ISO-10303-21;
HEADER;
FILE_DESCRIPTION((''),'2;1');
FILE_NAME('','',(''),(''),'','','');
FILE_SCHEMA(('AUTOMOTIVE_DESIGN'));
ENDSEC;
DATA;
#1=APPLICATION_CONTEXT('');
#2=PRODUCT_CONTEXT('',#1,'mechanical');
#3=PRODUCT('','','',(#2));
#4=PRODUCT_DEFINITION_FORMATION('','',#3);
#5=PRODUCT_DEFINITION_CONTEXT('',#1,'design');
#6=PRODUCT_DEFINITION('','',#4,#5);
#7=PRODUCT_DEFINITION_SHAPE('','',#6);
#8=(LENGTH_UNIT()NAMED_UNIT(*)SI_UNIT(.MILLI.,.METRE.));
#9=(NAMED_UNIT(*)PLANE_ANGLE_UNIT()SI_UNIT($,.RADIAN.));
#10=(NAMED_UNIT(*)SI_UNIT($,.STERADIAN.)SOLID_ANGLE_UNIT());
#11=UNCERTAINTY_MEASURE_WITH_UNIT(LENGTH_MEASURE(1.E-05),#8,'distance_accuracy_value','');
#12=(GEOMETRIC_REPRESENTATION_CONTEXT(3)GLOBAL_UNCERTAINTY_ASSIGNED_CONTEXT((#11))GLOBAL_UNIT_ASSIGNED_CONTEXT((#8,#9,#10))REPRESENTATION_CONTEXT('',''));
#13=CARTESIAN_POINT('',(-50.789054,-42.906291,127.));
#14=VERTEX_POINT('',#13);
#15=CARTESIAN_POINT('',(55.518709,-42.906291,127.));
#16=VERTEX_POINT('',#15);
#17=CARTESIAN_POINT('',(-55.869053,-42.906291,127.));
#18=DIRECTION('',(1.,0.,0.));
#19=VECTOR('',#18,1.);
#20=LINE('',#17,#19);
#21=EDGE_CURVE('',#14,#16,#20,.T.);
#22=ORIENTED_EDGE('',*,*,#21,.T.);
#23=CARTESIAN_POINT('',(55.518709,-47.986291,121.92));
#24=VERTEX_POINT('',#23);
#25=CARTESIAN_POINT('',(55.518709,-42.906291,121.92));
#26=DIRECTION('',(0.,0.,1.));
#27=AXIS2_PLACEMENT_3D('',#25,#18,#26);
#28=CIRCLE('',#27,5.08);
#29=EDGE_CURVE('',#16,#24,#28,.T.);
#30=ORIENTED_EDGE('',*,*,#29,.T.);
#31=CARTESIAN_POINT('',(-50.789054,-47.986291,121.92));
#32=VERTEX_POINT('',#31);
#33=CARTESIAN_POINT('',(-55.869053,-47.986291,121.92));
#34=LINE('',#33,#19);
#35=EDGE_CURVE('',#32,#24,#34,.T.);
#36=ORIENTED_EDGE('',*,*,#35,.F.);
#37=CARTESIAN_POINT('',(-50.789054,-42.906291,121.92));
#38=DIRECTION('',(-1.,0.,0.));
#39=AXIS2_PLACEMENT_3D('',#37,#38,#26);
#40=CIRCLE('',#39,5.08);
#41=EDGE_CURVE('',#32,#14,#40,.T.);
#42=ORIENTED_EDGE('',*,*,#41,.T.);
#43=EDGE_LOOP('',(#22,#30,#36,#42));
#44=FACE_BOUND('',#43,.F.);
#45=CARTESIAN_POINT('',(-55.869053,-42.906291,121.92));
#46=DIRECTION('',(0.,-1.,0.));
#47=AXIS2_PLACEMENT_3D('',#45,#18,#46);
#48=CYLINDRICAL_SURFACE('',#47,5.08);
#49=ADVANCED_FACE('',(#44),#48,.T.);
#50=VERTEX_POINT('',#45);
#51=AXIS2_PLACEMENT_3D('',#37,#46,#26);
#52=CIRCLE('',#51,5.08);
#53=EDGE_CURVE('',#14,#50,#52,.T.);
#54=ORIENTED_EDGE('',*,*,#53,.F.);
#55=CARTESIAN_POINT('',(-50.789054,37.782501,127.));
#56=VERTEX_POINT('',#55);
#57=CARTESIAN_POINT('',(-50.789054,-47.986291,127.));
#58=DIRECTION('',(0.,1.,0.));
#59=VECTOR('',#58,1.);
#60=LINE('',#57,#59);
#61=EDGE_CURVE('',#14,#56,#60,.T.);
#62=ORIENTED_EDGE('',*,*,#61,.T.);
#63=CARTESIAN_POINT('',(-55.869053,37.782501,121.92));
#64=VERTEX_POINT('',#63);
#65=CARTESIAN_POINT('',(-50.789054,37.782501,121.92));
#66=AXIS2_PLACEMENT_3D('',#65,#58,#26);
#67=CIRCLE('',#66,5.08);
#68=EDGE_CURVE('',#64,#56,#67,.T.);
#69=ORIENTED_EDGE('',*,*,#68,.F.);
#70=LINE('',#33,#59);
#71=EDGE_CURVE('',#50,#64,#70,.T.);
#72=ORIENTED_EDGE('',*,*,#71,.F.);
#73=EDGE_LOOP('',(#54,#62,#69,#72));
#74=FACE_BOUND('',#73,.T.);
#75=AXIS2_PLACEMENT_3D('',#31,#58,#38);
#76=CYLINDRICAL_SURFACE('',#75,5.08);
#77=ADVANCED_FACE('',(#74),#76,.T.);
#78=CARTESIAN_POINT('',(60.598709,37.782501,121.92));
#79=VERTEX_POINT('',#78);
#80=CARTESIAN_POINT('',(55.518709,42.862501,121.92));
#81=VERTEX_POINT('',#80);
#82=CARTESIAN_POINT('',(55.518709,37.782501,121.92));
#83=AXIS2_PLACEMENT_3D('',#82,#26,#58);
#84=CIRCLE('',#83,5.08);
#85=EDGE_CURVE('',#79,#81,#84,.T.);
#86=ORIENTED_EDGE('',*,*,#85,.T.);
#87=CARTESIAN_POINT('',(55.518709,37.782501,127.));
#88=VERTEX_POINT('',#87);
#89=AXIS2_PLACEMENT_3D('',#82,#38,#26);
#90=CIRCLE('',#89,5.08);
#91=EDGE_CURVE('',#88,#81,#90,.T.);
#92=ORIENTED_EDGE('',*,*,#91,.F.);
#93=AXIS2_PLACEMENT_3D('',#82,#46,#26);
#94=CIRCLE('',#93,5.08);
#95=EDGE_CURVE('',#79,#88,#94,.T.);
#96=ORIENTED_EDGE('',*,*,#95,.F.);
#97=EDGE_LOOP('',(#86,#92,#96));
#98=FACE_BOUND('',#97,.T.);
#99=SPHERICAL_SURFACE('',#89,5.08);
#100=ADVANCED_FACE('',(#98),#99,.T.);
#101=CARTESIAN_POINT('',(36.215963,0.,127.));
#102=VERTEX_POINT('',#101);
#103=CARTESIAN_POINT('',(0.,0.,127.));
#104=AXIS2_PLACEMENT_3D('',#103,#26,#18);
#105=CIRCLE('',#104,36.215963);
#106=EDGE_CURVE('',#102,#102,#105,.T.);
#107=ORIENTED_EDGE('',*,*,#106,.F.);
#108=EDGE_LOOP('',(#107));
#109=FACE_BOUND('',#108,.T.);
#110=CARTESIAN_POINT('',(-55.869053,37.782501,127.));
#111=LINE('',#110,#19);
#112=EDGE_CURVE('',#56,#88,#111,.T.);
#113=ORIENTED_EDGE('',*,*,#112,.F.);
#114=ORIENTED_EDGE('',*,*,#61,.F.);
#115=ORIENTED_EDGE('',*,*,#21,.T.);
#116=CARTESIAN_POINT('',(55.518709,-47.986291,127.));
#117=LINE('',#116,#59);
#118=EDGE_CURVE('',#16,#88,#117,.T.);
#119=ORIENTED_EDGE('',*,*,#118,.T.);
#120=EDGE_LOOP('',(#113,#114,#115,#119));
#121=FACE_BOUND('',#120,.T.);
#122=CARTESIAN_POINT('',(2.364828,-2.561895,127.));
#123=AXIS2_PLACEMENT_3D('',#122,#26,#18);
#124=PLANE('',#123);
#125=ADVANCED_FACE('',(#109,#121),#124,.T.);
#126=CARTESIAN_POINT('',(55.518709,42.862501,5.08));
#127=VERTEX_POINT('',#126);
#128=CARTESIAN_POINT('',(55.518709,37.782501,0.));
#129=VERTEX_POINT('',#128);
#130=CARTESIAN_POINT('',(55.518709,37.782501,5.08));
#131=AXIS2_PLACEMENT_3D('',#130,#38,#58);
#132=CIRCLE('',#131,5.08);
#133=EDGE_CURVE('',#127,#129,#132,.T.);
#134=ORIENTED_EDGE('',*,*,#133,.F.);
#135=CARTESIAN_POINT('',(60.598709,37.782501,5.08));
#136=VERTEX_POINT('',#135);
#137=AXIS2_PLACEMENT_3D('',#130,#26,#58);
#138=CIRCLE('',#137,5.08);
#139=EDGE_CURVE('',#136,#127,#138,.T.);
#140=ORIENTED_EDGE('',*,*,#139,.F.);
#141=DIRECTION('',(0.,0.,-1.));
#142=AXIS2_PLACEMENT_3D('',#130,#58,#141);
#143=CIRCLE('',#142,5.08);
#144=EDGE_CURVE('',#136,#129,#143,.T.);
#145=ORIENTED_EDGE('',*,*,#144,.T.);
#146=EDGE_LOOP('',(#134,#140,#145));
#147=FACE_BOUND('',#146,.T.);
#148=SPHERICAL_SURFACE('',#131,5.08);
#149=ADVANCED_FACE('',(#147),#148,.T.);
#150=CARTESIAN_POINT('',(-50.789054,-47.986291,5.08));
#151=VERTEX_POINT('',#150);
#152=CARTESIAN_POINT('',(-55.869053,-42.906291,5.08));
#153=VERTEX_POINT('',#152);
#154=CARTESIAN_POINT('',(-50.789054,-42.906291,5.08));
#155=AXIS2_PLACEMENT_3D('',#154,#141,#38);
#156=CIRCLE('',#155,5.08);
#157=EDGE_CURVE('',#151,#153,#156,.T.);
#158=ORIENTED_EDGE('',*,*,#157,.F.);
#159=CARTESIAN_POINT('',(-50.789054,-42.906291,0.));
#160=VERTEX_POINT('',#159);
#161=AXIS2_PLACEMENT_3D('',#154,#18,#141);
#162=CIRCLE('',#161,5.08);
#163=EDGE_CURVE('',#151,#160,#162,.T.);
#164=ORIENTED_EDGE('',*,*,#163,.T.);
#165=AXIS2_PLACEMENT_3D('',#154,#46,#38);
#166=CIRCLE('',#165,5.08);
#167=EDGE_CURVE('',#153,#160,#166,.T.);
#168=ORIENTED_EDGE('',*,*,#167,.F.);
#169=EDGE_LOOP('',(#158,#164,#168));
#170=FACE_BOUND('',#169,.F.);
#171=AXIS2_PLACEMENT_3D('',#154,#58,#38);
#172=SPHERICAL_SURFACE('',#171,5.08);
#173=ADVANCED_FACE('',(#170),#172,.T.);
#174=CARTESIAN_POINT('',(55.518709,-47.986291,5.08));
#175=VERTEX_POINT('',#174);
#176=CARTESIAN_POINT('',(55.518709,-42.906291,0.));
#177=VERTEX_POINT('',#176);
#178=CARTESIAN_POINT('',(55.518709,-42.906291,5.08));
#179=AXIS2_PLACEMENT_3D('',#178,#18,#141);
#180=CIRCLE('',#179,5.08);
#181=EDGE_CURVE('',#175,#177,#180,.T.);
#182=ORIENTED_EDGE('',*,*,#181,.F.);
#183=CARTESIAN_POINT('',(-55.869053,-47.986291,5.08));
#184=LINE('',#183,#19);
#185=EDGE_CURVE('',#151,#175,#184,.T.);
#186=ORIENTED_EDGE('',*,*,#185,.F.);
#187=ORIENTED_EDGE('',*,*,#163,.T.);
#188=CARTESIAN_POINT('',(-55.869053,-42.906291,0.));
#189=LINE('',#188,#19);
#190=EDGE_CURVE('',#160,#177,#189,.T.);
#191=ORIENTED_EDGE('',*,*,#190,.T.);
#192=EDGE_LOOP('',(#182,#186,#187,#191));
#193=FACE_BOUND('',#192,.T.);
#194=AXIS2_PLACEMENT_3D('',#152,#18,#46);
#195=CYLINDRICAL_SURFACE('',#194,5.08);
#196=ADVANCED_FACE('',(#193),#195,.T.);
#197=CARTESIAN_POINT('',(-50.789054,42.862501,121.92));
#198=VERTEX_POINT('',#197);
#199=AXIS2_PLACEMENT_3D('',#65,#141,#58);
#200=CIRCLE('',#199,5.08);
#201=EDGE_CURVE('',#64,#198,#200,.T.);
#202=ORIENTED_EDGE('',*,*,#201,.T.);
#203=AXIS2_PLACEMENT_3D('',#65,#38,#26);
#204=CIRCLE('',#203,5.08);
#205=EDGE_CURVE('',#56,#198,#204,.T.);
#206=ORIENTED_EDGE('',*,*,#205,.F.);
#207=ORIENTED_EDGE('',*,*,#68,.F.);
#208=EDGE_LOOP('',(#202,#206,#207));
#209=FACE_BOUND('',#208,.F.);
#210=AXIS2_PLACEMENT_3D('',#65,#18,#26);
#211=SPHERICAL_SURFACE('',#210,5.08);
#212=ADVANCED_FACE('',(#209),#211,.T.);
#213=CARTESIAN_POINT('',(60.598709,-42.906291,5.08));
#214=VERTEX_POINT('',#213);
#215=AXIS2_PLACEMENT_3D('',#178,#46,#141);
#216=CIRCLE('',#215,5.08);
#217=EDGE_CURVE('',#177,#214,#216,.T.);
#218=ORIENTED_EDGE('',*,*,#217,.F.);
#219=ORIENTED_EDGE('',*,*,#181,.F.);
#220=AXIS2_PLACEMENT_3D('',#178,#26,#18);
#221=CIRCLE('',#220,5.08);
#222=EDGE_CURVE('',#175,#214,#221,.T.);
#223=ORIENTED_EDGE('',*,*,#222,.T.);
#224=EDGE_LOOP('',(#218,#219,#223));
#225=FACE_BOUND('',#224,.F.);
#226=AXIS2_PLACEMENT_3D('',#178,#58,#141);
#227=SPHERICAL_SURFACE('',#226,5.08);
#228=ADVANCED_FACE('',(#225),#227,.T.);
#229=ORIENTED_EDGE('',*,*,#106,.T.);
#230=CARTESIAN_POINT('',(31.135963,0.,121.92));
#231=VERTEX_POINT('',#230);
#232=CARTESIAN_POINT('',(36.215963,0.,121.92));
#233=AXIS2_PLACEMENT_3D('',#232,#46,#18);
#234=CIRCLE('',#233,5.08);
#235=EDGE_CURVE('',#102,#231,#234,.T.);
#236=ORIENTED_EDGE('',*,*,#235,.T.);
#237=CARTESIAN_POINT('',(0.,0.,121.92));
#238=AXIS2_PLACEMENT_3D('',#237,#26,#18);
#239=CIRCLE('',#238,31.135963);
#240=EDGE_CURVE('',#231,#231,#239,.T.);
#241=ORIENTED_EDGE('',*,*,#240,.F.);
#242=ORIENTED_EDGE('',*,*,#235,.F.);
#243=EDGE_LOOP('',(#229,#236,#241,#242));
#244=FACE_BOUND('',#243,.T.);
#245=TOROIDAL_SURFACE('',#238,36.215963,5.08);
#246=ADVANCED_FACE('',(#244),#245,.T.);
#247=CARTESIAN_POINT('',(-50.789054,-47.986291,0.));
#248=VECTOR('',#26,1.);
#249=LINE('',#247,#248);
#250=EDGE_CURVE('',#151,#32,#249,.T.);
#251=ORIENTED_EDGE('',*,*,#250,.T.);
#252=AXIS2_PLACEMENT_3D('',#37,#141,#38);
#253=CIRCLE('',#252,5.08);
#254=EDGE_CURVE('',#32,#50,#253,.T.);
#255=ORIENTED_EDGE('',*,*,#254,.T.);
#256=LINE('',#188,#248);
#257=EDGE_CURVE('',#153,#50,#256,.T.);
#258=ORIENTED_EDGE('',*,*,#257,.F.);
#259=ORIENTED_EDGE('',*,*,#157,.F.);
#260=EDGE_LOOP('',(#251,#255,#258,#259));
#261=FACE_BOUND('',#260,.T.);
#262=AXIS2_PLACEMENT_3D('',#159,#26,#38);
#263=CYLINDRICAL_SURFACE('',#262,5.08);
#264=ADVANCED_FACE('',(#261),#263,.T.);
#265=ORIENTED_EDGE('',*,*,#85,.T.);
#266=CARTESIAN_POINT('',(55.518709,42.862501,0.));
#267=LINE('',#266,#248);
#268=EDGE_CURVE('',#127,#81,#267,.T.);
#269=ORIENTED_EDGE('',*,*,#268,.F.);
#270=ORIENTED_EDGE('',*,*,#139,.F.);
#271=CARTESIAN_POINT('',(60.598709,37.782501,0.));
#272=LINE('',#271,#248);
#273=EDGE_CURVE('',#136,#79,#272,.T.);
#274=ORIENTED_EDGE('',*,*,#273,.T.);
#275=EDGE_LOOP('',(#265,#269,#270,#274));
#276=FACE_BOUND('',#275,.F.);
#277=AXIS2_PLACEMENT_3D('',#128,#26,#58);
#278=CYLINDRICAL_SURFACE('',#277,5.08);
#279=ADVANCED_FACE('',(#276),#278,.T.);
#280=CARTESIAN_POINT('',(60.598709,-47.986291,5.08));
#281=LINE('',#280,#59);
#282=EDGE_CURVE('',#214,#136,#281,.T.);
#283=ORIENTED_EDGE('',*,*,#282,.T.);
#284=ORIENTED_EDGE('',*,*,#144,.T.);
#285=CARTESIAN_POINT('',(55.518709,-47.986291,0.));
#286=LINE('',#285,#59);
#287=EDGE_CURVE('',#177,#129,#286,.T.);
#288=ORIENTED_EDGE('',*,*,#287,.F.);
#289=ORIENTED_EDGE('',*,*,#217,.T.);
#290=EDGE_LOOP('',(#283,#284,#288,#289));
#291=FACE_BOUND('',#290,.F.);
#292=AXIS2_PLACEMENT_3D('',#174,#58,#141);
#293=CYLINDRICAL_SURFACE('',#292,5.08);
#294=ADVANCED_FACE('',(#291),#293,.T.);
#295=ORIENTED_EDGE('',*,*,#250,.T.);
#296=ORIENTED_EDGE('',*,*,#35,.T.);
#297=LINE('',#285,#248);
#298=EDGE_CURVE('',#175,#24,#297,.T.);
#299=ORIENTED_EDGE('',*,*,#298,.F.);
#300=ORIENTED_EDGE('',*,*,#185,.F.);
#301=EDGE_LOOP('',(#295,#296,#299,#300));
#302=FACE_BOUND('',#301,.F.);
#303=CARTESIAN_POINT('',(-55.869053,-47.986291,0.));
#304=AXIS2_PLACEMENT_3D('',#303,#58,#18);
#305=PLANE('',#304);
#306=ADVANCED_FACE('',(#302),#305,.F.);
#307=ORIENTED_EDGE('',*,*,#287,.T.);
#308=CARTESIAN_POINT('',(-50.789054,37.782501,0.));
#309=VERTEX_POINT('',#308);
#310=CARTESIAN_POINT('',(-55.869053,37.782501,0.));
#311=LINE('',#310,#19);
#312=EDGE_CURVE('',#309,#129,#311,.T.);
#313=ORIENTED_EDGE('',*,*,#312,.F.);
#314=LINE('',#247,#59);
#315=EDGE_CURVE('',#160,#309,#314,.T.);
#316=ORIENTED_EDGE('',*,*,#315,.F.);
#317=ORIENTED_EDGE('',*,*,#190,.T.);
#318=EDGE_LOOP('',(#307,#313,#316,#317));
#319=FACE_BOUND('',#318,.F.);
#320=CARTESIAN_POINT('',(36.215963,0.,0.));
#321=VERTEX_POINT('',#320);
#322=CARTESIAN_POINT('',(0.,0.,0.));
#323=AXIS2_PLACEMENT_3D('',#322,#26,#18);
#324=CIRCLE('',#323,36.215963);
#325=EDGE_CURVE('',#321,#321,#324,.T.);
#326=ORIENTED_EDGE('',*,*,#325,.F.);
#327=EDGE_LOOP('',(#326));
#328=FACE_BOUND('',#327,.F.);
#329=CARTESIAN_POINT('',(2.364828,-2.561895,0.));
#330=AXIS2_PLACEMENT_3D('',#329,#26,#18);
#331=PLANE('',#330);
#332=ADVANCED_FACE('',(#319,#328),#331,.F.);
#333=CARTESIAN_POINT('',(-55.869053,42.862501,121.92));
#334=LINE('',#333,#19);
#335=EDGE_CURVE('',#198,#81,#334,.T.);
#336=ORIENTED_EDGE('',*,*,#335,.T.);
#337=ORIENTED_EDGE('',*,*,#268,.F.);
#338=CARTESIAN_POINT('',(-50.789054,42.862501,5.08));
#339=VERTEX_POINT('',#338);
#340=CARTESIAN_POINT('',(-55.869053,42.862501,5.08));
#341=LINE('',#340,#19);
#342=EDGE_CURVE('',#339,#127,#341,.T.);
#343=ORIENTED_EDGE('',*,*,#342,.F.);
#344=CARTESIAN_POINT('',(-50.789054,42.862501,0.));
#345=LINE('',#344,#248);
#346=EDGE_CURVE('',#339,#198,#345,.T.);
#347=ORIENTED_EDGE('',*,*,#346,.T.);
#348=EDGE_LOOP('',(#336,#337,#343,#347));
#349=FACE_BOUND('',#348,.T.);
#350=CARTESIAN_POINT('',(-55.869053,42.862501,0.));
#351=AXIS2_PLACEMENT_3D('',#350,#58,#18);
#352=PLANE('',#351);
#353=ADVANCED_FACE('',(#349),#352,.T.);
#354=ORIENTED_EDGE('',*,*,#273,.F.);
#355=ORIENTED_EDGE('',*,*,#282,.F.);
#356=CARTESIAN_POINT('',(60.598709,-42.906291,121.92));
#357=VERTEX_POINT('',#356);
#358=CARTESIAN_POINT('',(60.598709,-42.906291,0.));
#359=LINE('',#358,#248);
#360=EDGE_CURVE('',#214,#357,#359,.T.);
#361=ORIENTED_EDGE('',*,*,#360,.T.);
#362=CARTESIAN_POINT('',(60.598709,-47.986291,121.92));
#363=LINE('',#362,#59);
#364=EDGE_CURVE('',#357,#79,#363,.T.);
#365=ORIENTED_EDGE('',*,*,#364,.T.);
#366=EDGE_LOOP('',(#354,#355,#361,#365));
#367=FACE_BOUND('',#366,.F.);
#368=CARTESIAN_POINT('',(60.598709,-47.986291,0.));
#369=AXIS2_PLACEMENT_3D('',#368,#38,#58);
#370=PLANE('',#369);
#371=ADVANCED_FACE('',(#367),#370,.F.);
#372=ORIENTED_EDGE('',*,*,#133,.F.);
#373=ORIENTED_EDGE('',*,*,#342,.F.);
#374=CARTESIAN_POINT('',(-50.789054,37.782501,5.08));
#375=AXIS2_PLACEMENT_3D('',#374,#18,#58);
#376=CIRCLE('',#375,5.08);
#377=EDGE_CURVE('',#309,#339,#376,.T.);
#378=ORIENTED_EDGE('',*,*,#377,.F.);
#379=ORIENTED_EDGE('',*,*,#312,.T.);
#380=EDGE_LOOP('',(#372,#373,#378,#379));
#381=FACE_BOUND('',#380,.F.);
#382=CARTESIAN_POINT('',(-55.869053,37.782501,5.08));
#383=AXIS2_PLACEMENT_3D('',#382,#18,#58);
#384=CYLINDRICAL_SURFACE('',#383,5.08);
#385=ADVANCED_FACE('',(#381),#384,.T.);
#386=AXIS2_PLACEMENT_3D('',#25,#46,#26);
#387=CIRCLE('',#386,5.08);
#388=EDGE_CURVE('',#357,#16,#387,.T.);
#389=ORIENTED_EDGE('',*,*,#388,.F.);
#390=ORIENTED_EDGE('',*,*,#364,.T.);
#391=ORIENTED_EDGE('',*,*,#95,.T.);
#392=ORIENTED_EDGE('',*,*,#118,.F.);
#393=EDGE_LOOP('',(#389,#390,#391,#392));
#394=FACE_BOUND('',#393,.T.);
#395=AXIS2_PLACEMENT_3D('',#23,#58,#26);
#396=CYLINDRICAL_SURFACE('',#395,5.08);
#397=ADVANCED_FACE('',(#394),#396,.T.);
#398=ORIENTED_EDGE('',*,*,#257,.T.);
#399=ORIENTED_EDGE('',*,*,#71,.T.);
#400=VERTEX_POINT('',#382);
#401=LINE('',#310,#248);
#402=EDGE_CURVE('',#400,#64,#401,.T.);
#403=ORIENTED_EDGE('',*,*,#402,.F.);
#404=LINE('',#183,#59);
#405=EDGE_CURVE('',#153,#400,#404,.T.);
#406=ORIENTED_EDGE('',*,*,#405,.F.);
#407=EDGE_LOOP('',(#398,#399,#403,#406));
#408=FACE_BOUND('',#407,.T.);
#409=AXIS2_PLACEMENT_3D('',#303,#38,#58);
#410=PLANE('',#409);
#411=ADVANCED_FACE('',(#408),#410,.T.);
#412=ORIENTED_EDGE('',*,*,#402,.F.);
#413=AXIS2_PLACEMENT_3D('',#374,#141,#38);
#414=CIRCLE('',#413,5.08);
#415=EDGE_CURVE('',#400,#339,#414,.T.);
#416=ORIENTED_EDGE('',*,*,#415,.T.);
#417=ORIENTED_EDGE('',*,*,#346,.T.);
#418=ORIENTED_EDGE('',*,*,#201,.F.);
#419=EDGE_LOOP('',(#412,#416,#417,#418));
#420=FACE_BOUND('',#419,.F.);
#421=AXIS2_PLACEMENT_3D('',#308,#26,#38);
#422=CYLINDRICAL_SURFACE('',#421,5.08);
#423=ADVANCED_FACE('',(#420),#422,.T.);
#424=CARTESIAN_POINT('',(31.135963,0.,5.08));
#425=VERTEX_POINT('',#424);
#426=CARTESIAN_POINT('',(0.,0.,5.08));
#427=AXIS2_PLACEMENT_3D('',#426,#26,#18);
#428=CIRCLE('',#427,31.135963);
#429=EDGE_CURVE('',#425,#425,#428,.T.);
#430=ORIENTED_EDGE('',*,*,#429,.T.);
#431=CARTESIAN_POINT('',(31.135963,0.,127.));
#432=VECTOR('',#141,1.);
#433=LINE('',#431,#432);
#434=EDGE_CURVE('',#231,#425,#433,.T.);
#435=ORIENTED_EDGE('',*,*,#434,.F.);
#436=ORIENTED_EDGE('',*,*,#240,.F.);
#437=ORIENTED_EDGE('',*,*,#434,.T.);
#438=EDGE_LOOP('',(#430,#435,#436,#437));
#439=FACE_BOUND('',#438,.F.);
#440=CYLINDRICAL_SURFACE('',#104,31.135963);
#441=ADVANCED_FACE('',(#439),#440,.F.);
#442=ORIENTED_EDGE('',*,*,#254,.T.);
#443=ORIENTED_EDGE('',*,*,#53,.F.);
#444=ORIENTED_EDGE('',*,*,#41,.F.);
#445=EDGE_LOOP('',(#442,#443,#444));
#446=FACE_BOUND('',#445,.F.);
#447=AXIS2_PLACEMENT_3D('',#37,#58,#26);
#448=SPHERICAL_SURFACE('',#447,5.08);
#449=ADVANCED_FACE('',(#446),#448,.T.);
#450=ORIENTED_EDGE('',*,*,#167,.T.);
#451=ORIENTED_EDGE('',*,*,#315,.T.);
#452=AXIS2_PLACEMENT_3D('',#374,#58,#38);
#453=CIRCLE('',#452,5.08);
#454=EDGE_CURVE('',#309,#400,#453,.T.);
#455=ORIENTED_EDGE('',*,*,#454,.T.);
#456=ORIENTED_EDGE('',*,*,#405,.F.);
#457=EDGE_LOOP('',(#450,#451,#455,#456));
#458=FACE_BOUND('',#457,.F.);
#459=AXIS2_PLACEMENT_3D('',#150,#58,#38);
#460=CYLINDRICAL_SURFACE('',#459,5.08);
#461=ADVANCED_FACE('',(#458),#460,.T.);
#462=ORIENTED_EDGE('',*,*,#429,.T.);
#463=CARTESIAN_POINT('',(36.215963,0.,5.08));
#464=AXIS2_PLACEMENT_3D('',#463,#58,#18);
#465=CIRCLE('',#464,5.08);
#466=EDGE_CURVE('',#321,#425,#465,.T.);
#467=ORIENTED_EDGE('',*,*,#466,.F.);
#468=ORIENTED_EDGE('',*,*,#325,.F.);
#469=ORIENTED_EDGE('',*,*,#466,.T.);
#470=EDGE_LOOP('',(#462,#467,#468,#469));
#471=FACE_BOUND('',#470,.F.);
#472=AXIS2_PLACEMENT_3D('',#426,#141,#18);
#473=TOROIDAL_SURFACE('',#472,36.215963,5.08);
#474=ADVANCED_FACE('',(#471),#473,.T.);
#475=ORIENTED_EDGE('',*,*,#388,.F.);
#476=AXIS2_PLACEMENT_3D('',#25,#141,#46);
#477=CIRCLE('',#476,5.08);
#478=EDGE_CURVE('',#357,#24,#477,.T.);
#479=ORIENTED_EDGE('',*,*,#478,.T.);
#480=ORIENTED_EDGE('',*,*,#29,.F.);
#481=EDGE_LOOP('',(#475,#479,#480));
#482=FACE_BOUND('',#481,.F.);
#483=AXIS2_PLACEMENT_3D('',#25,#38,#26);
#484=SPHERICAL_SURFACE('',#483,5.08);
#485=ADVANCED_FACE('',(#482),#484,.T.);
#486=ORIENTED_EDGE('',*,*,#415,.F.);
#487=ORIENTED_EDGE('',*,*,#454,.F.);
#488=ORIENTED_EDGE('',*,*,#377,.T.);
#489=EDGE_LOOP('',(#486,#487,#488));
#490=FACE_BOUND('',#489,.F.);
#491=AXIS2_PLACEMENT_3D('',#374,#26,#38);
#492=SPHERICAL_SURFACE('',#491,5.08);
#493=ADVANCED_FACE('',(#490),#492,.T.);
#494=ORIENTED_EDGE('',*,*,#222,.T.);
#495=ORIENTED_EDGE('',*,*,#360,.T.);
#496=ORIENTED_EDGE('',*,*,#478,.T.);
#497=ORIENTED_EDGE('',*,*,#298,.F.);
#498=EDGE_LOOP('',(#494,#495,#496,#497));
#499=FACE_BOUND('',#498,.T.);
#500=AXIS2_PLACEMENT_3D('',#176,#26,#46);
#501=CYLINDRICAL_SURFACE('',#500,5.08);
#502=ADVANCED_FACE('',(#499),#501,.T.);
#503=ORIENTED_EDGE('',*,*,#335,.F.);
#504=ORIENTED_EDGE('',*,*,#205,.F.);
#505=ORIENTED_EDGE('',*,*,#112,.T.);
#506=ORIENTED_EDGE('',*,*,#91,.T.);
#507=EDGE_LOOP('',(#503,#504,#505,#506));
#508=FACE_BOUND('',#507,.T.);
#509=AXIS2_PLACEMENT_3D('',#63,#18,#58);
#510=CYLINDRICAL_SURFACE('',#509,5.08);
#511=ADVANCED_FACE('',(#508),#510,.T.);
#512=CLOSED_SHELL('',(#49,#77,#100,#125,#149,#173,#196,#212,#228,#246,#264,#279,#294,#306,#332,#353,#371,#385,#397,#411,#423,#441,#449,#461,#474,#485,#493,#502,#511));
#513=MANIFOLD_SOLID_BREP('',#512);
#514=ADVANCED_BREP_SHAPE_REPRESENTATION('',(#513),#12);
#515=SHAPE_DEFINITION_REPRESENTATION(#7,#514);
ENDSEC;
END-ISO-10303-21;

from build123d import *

# Parameters (mm, degrees)
F0_W     = 116.467763
F0_H     = 90.848792
F1_DEPTH = 127
F2_R     = 31.135963
F3_DEPTH = 127
F4_R     = 5.08


with BuildPart() as f1:
    # F0 (on Top) → F1 (new body)
    with BuildSketch(Plane.XY):
        with Locations((2.364828, -2.561895)):
            Rectangle(F0_W, F0_H)
    extrude(amount=F1_DEPTH)

    # F2 (on face) → F3 (cut)
    with BuildSketch(Plane.XY.offset(127)):
        Circle(F2_R)
    extrude(amount=-F3_DEPTH, mode=Mode.SUBTRACT)

    # F4
    f4_edges = [f1.edges().sort_by_distance(p)[0] for p in [
        (2.364827, 42.862501, 127),
        (-55.869054, -2.561895, 127),
        (2.364827, -47.986291, 127),
        (60.598709, -2.561895, 127),
        (-31.135963, 0, 127),
        (-55.869054, 42.862501, 63.5),
        (-55.869054, -2.561895, 0),
        (-55.869054, -47.986291, 63.5),
        (2.364827, 42.862501, 0),
        (60.598709, 42.862501, 63.5),
        (31.135963, 0, 63.5),
        (-31.135963, 0, 0),
        (60.598709, -2.561895, 0),
        (2.364827, -47.986291, 0),
        (60.598709, -47.986291, 63.5),
    ]]
    fillet(f4_edges, radius=F4_R)


solid = f1.part
